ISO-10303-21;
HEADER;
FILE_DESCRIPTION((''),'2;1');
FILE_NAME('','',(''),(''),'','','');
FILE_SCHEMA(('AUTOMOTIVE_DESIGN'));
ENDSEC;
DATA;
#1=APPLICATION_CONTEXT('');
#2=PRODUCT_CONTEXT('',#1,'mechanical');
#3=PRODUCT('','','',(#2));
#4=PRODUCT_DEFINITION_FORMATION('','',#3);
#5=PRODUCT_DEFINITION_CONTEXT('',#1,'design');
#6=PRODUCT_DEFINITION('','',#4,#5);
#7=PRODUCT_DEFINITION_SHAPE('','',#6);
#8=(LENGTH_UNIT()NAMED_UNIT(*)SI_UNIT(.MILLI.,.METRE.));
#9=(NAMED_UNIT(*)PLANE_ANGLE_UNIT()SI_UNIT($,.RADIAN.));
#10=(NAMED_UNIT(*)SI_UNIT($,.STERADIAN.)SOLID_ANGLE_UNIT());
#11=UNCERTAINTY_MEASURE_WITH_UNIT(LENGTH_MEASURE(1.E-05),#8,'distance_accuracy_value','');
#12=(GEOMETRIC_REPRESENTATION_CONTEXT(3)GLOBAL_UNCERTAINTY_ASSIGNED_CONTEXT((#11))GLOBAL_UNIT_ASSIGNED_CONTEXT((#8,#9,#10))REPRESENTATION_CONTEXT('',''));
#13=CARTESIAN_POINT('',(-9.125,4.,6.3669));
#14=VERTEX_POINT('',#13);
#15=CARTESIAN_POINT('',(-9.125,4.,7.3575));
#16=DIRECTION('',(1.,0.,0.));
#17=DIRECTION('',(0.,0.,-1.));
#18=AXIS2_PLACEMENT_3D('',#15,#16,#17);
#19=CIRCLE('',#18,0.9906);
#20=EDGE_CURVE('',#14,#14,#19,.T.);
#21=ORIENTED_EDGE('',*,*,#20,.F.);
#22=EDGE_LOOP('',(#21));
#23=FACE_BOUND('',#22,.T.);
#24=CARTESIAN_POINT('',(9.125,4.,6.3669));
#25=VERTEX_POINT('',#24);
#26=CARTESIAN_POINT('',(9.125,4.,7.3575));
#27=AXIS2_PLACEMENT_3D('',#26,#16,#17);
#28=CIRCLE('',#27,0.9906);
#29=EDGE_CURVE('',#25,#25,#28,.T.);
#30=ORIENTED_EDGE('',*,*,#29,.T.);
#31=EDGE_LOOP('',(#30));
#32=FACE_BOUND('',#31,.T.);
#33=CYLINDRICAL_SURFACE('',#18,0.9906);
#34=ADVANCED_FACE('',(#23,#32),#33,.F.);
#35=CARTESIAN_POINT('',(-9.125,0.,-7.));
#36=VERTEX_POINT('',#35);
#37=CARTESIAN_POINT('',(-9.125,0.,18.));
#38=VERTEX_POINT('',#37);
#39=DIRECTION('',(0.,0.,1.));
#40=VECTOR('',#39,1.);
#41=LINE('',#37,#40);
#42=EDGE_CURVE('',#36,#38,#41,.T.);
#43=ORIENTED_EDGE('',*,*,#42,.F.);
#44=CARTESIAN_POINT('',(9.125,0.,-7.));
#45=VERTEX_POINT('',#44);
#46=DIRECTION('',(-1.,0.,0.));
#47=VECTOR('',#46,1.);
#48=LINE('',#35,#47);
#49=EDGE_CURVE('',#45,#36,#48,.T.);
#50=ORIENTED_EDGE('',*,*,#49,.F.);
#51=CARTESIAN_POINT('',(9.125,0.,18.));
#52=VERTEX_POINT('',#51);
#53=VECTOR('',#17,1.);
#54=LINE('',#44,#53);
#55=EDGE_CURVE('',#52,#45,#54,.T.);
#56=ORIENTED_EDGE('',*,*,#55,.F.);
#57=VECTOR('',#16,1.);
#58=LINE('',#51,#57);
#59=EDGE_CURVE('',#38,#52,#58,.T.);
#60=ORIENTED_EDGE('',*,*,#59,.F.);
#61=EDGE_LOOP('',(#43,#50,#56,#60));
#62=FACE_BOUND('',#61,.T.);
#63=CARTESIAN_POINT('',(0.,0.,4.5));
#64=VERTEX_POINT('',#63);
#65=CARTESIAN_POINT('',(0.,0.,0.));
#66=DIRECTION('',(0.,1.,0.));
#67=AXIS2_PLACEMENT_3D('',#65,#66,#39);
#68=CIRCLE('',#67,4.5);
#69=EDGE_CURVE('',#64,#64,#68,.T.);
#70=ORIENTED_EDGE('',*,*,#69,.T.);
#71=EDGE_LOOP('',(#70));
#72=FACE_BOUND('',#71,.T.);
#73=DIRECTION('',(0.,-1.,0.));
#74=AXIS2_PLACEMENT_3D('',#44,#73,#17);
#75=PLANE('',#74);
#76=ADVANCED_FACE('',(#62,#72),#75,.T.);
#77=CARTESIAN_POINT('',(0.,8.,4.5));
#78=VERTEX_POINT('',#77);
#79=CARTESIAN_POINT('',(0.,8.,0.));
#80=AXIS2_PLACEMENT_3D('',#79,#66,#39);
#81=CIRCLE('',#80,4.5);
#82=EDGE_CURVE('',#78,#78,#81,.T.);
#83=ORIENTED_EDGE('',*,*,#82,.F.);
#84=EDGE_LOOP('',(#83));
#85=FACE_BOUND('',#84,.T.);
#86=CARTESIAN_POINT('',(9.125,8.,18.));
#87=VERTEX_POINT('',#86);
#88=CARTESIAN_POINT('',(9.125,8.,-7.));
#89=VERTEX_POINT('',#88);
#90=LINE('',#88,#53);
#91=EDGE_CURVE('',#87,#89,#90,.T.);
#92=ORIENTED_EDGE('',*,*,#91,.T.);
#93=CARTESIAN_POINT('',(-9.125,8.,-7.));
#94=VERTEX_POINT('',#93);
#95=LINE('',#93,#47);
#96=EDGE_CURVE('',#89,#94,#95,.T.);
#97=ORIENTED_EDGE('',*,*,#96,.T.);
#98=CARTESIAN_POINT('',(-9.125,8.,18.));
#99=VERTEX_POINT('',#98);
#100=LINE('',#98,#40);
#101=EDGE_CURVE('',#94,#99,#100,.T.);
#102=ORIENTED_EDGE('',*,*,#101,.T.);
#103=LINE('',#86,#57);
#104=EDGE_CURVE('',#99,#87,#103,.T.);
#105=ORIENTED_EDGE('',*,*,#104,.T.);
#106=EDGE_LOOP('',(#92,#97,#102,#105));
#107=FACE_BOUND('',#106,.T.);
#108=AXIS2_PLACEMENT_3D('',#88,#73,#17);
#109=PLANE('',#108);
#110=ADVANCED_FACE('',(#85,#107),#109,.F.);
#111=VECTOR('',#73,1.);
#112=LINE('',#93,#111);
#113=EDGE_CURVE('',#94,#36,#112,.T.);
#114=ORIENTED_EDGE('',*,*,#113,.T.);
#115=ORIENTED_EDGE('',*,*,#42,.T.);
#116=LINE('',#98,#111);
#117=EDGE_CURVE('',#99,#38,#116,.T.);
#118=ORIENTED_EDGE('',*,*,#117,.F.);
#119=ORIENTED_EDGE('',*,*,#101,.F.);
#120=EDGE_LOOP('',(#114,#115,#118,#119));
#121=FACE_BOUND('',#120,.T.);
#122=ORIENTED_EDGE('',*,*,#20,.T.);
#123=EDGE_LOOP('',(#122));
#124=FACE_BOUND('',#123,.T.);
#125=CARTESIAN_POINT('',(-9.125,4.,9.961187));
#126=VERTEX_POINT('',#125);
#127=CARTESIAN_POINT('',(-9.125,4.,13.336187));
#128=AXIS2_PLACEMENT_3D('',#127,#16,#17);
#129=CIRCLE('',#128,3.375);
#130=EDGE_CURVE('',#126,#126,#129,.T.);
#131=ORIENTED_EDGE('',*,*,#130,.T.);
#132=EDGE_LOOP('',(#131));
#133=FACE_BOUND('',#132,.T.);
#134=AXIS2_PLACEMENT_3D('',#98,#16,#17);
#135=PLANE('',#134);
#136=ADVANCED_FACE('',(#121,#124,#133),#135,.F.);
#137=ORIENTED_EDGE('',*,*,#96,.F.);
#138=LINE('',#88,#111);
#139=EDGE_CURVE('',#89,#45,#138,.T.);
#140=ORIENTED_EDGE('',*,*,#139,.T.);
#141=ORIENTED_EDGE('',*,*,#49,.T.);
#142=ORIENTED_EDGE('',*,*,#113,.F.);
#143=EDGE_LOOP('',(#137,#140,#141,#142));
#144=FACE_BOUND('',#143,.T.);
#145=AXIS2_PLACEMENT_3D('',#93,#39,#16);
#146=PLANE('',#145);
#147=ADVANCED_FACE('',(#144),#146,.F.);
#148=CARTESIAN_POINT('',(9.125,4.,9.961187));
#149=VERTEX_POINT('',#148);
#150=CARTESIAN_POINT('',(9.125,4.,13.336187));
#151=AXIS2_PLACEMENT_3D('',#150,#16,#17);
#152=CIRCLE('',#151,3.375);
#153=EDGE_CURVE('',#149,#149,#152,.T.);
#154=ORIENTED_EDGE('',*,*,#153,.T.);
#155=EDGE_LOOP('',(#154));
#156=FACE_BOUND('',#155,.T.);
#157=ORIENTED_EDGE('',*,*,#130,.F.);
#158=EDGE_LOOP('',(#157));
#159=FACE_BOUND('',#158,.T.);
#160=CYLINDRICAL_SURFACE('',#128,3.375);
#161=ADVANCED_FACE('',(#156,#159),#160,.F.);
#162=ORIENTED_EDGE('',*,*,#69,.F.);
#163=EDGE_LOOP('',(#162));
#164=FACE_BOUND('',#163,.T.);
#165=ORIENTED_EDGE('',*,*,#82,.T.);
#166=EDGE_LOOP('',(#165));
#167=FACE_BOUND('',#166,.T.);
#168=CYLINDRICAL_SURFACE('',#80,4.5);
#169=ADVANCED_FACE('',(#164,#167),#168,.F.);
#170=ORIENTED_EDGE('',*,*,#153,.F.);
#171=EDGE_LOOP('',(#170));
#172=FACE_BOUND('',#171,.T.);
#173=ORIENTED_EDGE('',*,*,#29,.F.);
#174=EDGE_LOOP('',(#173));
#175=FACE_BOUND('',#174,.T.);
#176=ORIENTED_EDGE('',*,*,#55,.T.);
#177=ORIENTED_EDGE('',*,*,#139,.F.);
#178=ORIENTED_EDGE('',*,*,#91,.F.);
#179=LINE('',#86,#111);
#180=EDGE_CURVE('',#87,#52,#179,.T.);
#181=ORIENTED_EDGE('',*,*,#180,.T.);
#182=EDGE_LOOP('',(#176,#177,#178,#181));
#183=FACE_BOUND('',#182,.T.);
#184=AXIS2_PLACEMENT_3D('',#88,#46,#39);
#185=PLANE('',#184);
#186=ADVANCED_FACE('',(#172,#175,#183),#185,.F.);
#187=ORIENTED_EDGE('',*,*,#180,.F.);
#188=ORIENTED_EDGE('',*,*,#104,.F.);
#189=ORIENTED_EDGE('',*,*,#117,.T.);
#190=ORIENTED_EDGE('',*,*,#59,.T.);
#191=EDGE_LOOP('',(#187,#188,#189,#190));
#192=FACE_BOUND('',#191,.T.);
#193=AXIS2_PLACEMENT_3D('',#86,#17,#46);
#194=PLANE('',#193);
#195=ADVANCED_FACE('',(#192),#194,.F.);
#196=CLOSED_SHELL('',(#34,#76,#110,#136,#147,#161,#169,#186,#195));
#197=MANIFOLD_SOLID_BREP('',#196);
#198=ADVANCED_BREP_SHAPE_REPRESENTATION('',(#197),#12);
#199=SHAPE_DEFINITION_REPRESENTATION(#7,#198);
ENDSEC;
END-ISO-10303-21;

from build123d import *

# Parameters (mm, degrees)
SKETCH1_W              = 18.25
SKETCH1_H              = 25
BOSS_EXTRUDE1_DEPTH    = 8
M10X1_0_TAPPED_HOLE1_D = 9
SKETCH7_R              = 3.375
SKETCH7_R_2            = 0.9906
CUT_EXTRUDE2_DEPTH     = 19.25


with BuildPart() as part:
    # Sketch1 → Boss-Extrude1 (new body)
    with BuildSketch(Plane(origin=(0, 0, 0), x_dir=(1, 0, 0), z_dir=(0, 1, 0))):
        with Locations((0, -5.5)):
            Rectangle(SKETCH1_W, SKETCH1_H)
    extrude(amount=BOSS_EXTRUDE1_DEPTH)

    # M10x1.0 Tapped Hole1 (through all)
    with Locations(Plane(origin=(0, 8, 0), x_dir=(-1, 0, 0), z_dir=(0, 1, 0))):
        with Locations((0, 0)):
            Hole(M10X1_0_TAPPED_HOLE1_D / 2)

    # Sketch7 → Cut-Extrude2 (cut, through all)
    with BuildSketch(Plane(origin=(9.125, 0, 0), x_dir=(0, 0, -1), z_dir=(1, 0, 0))):
        with Locations((-13.336186812, 4)):
            Circle(SKETCH7_R)
        with Locations((-7.3575, 4)):
            Circle(SKETCH7_R_2)
    extrude(amount=-CUT_EXTRUDE2_DEPTH, mode=Mode.SUBTRACT)


solid = part.part
